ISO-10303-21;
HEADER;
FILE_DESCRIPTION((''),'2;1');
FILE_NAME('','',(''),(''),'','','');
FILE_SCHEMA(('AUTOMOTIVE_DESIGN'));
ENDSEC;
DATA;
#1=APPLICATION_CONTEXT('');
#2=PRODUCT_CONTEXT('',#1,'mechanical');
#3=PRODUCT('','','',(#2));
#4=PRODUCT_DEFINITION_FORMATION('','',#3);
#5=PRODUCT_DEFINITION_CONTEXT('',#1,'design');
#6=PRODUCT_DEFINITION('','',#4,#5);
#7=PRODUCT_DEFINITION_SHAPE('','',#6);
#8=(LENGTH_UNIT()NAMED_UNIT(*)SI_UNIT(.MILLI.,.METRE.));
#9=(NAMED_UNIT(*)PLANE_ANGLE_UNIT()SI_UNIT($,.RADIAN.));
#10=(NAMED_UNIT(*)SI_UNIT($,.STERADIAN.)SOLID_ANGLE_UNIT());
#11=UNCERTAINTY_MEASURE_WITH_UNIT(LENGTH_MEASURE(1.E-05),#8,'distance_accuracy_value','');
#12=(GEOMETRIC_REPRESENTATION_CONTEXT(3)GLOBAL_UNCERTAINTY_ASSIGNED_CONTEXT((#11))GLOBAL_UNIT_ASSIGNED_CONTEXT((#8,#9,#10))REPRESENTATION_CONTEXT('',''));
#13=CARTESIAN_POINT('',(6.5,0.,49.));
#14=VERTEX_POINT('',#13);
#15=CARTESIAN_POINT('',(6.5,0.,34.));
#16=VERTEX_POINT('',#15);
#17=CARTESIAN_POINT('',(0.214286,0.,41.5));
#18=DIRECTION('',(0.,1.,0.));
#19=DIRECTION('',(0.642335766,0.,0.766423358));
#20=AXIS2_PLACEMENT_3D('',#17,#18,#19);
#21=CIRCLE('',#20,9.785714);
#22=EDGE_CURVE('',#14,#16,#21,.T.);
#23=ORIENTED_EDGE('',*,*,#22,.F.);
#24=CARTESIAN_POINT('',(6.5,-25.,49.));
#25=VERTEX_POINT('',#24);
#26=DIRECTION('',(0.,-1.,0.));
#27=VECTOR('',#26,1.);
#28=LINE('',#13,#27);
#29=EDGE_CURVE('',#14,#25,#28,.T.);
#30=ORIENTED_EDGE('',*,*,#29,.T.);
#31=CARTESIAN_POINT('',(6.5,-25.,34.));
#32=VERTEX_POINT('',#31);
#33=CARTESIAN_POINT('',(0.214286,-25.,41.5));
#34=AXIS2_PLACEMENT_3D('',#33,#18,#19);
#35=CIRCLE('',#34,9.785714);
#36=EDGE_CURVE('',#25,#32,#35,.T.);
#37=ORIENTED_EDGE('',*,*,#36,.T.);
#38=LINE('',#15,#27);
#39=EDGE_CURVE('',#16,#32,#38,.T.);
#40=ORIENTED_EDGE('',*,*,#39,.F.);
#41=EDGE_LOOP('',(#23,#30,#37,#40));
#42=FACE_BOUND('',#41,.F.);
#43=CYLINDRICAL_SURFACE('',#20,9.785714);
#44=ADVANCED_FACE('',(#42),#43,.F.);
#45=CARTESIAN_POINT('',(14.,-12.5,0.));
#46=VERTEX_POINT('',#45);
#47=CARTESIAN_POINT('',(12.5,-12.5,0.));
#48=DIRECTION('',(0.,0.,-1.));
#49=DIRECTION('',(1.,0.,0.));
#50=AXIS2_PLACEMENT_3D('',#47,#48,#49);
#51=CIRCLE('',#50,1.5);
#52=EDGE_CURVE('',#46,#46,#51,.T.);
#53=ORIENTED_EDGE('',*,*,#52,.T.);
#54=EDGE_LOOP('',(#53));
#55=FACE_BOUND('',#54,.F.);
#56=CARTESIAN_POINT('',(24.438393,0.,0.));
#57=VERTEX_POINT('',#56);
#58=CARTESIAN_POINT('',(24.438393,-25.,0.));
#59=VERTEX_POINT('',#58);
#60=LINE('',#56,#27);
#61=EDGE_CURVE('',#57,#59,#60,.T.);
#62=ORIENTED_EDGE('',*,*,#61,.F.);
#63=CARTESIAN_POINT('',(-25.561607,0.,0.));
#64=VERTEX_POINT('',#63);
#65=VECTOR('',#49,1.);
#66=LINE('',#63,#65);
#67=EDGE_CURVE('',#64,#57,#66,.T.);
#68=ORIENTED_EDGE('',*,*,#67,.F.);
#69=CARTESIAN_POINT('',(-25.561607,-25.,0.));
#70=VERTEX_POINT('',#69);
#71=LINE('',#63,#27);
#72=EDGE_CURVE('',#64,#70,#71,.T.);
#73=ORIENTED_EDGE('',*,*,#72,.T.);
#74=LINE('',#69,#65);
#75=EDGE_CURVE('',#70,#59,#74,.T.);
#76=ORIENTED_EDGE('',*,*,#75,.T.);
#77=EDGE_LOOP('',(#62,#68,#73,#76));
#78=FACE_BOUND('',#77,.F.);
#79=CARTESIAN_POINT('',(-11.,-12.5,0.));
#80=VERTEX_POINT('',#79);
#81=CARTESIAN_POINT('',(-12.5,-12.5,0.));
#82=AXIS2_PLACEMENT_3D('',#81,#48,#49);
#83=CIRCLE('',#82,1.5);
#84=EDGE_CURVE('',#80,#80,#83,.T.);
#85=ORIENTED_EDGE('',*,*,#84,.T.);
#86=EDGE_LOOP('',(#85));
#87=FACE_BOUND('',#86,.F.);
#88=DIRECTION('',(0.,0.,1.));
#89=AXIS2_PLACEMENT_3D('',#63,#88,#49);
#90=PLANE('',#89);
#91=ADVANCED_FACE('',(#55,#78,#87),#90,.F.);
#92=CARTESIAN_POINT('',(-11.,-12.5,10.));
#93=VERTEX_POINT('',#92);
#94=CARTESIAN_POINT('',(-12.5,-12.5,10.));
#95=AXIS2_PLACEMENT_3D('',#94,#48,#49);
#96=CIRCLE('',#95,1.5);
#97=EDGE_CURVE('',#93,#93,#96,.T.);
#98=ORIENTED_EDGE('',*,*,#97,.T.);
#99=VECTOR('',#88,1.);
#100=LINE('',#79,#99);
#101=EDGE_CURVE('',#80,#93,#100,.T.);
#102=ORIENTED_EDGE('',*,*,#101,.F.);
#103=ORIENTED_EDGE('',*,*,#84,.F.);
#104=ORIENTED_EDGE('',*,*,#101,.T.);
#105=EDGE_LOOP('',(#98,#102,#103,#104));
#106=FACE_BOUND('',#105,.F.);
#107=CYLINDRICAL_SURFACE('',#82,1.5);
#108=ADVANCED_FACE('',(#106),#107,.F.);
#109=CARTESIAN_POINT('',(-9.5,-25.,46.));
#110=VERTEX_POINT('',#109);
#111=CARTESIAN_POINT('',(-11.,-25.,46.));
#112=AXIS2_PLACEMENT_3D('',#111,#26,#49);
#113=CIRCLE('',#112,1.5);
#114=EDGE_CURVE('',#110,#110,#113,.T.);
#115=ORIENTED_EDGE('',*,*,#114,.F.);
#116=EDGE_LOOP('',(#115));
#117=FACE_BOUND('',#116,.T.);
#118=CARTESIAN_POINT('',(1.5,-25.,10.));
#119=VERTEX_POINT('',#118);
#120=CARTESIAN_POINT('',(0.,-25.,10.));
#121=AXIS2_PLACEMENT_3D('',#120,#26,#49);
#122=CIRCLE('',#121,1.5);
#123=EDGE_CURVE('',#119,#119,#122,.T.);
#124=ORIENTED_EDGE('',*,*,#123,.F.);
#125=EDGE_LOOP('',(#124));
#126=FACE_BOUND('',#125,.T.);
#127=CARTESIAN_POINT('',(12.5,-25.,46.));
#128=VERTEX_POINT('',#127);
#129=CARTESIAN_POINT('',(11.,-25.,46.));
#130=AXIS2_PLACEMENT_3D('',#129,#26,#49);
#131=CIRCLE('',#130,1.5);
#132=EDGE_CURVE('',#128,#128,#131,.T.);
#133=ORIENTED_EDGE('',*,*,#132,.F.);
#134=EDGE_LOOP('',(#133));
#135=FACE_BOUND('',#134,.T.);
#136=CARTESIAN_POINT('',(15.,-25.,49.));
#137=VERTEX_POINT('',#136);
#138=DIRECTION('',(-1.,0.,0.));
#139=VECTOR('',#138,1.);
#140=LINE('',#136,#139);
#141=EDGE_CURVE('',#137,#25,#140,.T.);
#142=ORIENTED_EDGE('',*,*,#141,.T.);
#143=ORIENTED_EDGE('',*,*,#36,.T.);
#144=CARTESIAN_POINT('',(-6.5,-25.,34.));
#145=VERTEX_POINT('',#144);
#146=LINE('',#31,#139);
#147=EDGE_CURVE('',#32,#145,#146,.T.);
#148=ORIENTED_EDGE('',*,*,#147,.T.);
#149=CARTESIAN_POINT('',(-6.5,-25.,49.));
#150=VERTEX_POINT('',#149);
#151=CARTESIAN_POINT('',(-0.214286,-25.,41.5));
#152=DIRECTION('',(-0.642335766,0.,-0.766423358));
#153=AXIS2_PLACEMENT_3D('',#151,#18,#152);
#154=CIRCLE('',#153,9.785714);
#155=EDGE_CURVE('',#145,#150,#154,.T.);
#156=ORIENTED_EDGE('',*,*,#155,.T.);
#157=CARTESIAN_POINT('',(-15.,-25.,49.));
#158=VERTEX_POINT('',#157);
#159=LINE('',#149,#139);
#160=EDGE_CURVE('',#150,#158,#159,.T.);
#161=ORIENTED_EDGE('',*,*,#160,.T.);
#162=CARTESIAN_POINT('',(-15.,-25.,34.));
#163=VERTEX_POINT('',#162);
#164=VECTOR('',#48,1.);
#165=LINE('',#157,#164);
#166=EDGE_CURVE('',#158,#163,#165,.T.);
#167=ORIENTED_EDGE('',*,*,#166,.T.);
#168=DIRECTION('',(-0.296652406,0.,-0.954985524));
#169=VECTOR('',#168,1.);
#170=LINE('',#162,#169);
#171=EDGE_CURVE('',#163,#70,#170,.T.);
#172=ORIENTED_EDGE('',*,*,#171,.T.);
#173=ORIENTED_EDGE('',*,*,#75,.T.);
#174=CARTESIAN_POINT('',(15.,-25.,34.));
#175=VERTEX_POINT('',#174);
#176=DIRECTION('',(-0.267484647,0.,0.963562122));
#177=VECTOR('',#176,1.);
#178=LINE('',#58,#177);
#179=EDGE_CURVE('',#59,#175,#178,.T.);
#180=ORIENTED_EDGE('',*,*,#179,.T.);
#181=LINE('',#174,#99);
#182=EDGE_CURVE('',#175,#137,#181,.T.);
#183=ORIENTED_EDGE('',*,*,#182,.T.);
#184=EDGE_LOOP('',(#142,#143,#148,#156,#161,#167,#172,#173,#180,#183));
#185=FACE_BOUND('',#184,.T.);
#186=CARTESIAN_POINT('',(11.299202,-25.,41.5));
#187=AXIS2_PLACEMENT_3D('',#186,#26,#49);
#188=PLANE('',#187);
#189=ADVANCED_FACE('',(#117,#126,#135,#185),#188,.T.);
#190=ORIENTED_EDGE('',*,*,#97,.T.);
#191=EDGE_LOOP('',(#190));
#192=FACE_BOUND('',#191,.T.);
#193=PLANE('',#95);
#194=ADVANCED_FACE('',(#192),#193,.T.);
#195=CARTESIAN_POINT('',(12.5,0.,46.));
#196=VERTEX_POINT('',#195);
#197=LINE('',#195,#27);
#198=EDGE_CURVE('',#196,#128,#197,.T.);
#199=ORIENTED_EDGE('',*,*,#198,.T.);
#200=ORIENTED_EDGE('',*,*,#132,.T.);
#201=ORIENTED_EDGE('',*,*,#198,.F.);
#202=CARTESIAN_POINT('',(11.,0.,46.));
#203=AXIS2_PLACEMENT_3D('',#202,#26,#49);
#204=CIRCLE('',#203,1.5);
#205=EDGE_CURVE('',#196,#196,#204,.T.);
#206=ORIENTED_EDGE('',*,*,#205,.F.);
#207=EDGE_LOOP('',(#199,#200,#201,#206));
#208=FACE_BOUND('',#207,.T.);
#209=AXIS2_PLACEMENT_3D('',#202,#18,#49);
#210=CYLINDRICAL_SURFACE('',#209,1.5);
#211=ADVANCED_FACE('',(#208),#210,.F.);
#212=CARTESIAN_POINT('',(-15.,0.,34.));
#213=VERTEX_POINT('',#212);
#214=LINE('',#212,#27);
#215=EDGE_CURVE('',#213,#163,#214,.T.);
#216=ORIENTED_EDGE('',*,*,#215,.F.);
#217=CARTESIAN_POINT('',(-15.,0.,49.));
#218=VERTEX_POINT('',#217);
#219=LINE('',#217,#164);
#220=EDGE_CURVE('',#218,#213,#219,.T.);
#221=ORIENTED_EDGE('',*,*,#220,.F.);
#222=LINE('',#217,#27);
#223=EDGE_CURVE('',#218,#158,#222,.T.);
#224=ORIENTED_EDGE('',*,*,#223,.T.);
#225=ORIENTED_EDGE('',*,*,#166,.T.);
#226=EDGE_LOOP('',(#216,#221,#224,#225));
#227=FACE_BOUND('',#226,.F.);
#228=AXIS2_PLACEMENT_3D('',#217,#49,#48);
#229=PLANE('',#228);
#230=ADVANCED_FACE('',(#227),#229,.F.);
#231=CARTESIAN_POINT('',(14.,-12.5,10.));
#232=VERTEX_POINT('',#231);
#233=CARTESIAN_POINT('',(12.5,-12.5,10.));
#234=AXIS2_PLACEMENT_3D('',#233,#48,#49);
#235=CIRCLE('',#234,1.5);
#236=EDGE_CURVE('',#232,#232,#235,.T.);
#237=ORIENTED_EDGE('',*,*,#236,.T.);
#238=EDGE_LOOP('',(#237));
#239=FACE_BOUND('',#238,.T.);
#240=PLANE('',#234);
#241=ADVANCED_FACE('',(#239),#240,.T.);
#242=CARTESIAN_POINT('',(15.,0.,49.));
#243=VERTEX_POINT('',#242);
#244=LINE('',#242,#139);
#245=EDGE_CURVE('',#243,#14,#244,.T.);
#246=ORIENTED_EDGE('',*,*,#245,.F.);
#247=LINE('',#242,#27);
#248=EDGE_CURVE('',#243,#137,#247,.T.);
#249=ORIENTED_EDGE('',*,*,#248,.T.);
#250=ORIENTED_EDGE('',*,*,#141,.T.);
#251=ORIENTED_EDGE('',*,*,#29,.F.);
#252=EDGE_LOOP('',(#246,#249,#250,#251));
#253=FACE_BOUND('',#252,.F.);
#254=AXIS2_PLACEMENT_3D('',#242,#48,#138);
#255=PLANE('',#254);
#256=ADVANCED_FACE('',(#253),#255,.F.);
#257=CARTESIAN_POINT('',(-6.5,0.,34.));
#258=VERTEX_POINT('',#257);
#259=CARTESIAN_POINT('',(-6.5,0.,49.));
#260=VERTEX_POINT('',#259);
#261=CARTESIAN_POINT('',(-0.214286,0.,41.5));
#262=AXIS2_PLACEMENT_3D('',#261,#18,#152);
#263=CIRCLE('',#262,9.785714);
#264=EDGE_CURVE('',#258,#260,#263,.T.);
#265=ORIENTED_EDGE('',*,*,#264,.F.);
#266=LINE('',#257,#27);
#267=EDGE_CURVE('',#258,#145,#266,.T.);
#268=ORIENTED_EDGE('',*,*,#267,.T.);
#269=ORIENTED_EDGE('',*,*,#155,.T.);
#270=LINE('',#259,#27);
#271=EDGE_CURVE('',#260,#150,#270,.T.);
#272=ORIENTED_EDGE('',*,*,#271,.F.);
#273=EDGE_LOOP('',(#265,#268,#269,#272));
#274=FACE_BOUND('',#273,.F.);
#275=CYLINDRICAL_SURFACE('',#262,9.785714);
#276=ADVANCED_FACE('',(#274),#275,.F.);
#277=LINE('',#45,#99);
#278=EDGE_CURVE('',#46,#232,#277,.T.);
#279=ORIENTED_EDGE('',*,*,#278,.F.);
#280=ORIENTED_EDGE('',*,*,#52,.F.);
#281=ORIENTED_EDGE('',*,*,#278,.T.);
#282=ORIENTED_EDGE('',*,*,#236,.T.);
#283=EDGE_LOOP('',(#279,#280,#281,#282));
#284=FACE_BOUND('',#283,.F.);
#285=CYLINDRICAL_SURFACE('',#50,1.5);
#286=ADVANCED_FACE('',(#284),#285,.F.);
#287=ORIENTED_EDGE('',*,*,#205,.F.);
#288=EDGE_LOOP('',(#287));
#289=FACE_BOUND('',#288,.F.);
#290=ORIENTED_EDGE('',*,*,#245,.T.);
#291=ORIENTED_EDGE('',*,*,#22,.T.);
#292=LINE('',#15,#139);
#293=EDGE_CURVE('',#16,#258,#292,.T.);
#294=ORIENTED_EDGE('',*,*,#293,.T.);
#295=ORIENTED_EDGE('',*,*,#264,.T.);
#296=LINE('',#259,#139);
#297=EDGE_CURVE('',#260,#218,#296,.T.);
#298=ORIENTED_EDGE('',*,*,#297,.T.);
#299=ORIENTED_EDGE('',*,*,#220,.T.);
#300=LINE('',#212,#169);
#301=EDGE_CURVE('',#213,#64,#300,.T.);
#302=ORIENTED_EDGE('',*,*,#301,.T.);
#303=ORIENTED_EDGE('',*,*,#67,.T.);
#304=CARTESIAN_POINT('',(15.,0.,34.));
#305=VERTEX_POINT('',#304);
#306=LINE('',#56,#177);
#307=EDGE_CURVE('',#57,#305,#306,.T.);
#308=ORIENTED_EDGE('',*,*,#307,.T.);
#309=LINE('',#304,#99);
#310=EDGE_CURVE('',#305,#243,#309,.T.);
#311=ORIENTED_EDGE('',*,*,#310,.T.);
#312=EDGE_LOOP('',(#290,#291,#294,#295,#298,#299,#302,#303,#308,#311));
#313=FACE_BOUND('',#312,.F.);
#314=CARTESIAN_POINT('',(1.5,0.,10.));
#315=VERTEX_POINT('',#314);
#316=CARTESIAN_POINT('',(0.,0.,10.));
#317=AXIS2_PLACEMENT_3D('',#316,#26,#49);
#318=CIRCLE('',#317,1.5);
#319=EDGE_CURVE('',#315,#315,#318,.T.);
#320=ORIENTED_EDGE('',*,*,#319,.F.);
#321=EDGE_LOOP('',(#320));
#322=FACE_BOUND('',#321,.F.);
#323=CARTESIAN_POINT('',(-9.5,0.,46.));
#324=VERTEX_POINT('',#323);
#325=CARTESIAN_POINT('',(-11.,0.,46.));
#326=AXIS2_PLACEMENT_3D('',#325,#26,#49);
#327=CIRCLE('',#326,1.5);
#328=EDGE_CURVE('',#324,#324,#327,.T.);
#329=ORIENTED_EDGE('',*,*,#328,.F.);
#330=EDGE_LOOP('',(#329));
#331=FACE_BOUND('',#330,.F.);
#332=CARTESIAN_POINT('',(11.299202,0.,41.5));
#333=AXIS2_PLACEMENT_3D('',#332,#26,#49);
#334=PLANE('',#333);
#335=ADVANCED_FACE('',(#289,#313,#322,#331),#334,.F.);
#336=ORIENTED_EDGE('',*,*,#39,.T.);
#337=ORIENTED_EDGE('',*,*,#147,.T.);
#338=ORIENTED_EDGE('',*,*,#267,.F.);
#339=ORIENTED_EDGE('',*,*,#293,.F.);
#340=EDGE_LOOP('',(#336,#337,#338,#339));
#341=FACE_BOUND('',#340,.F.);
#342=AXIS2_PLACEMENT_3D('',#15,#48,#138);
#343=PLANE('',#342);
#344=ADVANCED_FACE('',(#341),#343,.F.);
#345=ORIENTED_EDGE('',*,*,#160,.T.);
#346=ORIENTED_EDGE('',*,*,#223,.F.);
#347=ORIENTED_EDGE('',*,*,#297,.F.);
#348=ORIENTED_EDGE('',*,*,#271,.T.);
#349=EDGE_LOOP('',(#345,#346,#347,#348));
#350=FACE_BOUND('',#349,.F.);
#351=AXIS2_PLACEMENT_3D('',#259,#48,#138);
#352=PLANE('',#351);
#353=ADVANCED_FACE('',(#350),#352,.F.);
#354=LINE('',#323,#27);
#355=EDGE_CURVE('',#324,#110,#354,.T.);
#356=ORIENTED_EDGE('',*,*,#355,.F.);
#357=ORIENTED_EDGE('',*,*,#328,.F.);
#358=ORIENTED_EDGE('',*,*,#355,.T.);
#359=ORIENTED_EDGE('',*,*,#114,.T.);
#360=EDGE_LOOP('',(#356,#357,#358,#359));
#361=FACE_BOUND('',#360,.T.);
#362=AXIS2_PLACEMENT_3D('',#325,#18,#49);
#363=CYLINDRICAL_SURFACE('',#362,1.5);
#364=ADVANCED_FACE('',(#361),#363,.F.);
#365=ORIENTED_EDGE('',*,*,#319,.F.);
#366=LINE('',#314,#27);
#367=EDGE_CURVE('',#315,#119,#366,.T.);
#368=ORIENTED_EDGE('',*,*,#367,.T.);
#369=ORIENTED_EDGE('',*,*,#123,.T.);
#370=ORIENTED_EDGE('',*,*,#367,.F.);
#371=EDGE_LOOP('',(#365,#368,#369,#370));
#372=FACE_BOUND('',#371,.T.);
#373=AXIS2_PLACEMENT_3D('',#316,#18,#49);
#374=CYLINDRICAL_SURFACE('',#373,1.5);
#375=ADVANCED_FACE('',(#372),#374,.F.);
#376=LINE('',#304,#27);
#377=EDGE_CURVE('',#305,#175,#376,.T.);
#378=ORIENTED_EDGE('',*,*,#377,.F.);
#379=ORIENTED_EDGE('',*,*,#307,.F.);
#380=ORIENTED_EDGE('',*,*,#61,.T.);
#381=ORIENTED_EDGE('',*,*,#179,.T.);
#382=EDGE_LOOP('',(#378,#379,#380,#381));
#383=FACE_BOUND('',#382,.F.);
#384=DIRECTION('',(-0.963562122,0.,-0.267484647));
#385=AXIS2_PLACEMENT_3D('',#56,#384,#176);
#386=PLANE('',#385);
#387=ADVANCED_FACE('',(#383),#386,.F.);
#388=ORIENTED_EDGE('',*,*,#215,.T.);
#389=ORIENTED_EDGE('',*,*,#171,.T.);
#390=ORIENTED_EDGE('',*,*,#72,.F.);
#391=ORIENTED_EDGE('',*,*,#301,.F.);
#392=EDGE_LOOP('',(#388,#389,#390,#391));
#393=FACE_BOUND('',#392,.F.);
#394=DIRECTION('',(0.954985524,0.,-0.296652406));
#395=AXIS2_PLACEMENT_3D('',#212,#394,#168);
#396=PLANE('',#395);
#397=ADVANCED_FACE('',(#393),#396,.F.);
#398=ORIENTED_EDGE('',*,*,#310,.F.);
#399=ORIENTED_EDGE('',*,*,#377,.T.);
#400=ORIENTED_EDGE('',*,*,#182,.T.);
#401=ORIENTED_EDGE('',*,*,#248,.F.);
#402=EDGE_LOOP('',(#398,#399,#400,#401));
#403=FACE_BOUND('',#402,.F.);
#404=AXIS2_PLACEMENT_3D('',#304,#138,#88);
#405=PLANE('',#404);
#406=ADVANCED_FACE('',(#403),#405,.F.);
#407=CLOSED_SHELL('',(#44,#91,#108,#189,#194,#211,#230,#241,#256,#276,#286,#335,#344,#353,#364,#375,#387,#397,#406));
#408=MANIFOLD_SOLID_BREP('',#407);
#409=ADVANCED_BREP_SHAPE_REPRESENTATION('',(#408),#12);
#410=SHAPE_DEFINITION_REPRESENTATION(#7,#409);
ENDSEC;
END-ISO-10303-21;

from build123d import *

# Parameters (mm, degrees)
F0_R     = 1.5
F1_DEPTH = 25
F2_R     = 1.5
F3_DEPTH = 10


with BuildPart() as f1:
    # F0 (on Front) → F1 (new body)
    with BuildSketch(Plane.XZ):
        with BuildLine():
            Line((6.5, 34), (15, 34))
            Line((15, 34), (15, 49))
            Line((15, 49), (6.5, 49))
            ThreePointArc((6.5, 49), (10, 41.5), (6.5, 34))
        make_face()
        with Locations((11, 46)):
            Circle(F0_R, mode=Mode.SUBTRACT)
        with BuildLine():
            Line((-15, 49), (-15, 34))
            Line((-15, 34), (-6.5, 34))
            ThreePointArc((-6.5, 34), (-10, 41.5), (-6.5, 49))
            Line((-6.5, 49), (-15, 49))
        make_face()
        with Locations((-11, 46)):
            Circle(F0_R, mode=Mode.SUBTRACT)
        Polygon((-15, 34), (-25.561607, 0), (24.438393, 0), (15, 34), (6.5, 34), (-6.5, 34), align=None)
        with Locations((0, 10)):
            Circle(F0_R, mode=Mode.SUBTRACT)
    extrude(amount=F1_DEPTH)

    # F2 (on face) → F3 (cut)
    with BuildSketch(Plane(origin=(0, 0, 0), x_dir=(1, 0, 0), z_dir=(0, 0, -1))):
        with Locations((-12.5, 12.5)):
            Circle(F2_R)
        with Locations((12.5, 12.5)):
            Circle(F2_R)
    extrude(amount=-F3_DEPTH, mode=Mode.SUBTRACT)


solid = f1.part
